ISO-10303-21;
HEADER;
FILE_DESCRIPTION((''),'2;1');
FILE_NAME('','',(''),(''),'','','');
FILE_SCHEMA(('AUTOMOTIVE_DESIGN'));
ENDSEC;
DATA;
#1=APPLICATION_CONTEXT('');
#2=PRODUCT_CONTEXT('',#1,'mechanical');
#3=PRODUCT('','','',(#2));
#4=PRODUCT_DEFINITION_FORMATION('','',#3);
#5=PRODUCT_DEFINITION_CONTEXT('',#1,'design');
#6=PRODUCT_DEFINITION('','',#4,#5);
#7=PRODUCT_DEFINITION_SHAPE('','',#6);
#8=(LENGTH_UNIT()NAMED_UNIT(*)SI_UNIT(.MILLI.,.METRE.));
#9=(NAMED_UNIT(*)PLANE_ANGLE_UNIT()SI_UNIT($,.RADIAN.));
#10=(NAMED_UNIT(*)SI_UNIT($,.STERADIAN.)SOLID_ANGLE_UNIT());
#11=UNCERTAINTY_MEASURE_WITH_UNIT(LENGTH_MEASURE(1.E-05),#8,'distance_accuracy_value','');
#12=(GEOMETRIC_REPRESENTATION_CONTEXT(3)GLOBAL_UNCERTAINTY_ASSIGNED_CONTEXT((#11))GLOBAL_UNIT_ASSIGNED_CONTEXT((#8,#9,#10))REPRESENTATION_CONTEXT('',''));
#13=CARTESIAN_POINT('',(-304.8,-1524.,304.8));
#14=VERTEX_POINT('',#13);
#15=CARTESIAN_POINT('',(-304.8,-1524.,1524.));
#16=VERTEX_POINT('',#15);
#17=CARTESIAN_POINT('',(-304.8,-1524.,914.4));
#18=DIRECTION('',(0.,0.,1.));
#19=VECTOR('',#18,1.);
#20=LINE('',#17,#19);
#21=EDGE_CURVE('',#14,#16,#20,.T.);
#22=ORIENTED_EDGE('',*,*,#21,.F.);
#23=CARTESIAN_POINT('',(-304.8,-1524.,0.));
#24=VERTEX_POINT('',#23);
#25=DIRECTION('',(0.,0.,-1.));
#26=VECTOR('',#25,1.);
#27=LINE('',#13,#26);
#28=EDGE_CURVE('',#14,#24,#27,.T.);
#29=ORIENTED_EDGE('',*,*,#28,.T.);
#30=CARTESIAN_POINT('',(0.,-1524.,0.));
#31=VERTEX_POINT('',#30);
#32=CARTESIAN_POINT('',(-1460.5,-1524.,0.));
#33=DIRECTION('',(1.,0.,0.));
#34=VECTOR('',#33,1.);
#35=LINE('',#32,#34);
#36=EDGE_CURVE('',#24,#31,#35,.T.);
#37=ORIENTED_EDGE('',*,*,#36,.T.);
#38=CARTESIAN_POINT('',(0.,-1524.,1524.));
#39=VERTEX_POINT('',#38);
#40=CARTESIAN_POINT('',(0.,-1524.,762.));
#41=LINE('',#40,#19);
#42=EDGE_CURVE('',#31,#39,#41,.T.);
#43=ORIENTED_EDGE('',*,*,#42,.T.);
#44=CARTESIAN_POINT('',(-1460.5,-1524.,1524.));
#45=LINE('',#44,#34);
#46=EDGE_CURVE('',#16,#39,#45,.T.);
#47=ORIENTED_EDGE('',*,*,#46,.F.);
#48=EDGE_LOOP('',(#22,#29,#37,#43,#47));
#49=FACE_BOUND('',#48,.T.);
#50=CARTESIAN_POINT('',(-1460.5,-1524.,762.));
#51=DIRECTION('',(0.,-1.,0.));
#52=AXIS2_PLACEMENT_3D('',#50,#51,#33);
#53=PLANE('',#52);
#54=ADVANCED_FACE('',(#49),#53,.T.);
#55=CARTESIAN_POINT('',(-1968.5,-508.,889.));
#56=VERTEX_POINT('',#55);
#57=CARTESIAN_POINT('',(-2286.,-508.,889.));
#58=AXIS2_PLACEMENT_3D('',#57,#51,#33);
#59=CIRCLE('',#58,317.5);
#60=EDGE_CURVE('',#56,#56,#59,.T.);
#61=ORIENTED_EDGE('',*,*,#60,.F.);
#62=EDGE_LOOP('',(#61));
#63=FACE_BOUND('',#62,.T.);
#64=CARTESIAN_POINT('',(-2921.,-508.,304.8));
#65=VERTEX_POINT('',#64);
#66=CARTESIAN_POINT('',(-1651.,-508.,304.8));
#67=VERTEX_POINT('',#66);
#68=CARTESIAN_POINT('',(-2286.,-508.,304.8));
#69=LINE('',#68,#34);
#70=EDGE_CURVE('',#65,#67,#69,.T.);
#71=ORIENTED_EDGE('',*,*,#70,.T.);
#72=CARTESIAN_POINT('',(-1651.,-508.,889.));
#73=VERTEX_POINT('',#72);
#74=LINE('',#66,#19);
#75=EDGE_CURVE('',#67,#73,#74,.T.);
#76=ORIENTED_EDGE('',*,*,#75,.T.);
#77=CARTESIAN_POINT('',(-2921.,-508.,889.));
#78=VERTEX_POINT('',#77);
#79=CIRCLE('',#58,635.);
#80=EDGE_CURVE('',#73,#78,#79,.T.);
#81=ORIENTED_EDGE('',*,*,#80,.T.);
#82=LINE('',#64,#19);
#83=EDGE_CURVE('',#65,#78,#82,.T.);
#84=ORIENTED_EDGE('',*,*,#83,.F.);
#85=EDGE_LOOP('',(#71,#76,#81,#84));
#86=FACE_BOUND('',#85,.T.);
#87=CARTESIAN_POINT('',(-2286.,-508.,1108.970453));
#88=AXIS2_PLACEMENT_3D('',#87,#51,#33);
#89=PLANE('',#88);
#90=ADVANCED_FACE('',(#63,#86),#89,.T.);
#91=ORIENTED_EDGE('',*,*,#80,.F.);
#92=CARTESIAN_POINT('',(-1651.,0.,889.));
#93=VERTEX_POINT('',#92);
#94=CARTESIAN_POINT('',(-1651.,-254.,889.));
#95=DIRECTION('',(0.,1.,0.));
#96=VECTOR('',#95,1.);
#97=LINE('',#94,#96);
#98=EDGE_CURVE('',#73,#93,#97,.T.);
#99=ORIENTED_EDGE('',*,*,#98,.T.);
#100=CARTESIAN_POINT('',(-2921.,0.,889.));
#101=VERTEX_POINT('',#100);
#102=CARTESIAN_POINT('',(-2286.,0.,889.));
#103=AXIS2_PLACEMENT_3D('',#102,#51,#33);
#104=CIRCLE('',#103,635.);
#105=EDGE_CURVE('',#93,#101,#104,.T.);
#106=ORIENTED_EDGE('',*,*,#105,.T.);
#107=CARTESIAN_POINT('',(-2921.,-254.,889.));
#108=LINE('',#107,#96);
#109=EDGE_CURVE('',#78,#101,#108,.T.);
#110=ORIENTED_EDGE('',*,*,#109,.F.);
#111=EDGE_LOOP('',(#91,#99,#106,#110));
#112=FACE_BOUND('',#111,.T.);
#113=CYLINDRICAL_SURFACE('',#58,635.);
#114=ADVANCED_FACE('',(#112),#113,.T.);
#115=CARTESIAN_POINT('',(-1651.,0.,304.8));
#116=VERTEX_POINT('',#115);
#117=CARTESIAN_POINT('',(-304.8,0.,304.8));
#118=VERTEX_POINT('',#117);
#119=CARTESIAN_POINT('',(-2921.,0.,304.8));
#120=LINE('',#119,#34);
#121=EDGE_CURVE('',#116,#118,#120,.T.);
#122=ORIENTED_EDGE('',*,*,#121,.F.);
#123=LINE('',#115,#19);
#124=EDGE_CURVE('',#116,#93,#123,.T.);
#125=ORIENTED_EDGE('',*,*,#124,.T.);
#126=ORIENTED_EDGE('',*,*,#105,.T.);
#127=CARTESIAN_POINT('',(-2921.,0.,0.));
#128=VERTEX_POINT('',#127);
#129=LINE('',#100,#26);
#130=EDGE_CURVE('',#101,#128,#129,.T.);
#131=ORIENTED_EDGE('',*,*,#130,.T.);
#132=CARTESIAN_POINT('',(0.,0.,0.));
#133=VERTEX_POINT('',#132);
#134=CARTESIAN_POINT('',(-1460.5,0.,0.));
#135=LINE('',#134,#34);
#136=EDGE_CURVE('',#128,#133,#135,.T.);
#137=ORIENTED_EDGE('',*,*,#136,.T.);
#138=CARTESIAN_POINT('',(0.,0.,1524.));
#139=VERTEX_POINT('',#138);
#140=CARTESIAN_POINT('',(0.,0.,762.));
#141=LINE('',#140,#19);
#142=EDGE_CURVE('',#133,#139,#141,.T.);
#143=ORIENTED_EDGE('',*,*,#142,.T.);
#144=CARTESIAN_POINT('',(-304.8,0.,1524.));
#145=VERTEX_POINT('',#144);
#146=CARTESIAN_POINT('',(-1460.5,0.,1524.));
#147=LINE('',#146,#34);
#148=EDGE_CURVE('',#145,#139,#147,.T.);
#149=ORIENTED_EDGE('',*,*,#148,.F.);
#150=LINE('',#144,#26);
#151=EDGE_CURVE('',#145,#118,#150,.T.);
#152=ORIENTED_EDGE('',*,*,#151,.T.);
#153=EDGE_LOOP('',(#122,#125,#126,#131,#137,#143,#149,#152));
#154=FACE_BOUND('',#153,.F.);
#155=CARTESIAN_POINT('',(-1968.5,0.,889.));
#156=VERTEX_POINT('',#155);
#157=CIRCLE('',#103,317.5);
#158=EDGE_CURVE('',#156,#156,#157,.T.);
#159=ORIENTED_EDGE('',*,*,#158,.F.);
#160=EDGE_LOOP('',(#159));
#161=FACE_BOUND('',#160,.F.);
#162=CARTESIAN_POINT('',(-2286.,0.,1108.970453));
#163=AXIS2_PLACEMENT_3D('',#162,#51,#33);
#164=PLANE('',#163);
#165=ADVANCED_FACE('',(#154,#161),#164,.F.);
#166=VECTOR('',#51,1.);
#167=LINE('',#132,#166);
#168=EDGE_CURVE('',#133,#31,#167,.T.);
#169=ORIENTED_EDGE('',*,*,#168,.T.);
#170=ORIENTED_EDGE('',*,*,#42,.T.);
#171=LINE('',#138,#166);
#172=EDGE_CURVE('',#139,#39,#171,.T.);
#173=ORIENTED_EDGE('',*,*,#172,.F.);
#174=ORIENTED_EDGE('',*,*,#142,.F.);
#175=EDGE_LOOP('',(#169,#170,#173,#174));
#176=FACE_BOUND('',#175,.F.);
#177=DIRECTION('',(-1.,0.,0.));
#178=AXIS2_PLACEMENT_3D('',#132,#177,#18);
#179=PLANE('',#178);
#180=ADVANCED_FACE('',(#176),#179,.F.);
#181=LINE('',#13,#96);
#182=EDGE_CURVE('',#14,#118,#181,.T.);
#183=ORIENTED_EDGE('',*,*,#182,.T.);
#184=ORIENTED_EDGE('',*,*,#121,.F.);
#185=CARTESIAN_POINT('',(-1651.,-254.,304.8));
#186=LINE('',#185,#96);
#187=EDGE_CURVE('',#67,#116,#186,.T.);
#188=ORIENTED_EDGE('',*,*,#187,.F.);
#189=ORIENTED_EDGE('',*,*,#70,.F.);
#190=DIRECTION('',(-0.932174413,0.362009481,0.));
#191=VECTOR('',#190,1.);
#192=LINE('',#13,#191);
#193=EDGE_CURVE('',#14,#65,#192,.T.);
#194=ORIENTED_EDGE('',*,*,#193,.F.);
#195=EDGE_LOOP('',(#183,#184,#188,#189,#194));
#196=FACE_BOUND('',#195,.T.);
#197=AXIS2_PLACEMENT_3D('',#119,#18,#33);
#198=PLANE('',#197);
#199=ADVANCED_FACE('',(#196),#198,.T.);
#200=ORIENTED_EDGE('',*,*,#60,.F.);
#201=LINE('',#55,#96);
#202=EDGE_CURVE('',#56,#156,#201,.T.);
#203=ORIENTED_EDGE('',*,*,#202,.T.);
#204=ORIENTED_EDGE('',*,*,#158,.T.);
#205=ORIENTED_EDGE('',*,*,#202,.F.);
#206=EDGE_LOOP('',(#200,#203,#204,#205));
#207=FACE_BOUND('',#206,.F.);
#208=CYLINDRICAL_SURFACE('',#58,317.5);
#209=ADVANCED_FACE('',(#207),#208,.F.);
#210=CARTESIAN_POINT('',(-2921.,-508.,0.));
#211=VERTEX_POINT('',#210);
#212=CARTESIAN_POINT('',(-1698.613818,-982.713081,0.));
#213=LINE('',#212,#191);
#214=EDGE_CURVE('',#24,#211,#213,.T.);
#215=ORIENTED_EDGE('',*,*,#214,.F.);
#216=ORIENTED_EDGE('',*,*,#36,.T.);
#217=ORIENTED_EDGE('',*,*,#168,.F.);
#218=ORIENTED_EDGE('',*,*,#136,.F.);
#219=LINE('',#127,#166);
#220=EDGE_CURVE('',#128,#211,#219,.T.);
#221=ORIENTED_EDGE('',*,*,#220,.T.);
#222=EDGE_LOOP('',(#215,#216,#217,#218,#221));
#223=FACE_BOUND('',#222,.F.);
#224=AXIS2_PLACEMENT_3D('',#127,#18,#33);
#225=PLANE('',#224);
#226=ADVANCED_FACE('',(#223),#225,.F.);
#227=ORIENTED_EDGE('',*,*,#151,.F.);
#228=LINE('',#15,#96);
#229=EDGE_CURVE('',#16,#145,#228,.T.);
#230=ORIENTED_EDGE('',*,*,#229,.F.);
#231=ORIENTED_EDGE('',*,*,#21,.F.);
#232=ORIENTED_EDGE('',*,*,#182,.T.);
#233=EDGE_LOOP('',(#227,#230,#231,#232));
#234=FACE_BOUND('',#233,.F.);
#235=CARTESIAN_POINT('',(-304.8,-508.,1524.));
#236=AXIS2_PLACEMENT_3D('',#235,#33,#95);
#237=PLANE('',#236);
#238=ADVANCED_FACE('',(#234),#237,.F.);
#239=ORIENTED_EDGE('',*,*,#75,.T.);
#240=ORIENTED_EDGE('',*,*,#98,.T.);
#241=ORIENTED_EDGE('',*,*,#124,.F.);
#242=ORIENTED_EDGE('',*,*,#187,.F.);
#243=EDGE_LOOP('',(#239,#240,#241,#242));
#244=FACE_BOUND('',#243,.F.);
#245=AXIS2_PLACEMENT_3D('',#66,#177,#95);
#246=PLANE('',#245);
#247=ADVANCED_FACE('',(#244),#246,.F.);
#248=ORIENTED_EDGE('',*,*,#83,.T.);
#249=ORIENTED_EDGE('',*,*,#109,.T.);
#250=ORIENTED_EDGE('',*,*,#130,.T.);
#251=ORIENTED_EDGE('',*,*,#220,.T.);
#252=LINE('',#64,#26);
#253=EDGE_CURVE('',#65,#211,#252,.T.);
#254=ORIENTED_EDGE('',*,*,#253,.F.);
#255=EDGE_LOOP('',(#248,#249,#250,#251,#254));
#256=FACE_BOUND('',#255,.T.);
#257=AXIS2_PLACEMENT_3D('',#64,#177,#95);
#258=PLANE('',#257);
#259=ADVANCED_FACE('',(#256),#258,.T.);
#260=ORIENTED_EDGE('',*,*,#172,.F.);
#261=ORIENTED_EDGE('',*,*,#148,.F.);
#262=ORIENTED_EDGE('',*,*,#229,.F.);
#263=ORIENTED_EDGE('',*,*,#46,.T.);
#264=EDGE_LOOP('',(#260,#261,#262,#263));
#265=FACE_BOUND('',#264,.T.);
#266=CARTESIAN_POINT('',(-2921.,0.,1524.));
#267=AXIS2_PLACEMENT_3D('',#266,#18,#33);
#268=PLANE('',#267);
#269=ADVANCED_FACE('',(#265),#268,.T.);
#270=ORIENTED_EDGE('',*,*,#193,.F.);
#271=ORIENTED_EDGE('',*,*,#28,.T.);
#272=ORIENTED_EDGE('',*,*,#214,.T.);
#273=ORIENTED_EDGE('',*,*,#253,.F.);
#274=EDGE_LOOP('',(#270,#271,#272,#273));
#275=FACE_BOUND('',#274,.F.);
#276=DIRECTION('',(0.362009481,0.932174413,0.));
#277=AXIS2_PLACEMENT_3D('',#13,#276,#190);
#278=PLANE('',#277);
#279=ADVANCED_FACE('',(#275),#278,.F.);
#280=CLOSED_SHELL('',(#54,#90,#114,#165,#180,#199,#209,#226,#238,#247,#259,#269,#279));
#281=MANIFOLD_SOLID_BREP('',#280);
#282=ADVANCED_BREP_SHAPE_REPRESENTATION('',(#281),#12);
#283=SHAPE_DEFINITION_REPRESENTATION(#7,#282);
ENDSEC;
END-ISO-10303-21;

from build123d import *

# Parameters (mm, degrees)
F0_W      = 2921
F0_H      = 1524
F1_DEPTH  = 1524
F2_W      = 2616.2
F2_H      = 1219.2
F3_DEPTH  = 1016
F4_W      = 1346.2
F4_H      = 508
F5_DEPTH  = 1219.2
F7_DEPTH  = 1270
F8_DEPTH  = 1219.2
F9_W      = 1270
F9_H      = 508
F10_DEPTH = 584.2
F12_DEPTH = 508
F13_R     = 317.5
F14_DEPTH = 1270


with BuildPart() as f1:
    # F0 (on Front) → F1 (new body)
    with BuildSketch(Plane.XZ):
        with Locations((-1460.5, 762)):
            Rectangle(F0_W, F0_H)
    extrude(amount=F1_DEPTH)

    # F2 (on face) → F3 (cut)
    with BuildSketch(Plane.XZ.offset(1524)):
        with Locations((-1612.9, 914.4)):
            Rectangle(F2_W, F2_H)
    extrude(amount=-F3_DEPTH, mode=Mode.SUBTRACT)

    # F4 (on face) → F5 (cut)
    with BuildSketch(Plane.XY.offset(1524)):
        with Locations((-977.9, -254)):
            Rectangle(F4_W, F4_H)
    extrude(amount=-F5_DEPTH, mode=Mode.SUBTRACT)

    # F6 (on face) → F7 (cut)
    with BuildSketch(Plane.XY.offset(304.8)):
        Polygon((-304.8, -1524), (-2921, -508), (-2921, -1524), align=None)
    extrude(amount=-F7_DEPTH, mode=Mode.SUBTRACT)

    # F8 (cut): a face of the model
    f8_faces = [f1.faces().sort_by_distance(p)[0] for p in [
        (-2286, -254, 1524),
    ]]
    extrude(f8_faces, amount=-F8_DEPTH, mode=Mode.SUBTRACT)

    # F9 (on face) → F10 (join)
    with BuildSketch(Plane.XY.offset(304.8)):
        with Locations((-2286, -254)):
            Rectangle(F9_W, F9_H)
    extrude(amount=F10_DEPTH)

    # F11 (on face) → F12 (join)
    with BuildSketch(Plane.XZ.offset(508)):
        with BuildLine():
            Line((-2921, 889), (-1651, 889))
            ThreePointArc((-1651, 889), (-2286, 1524), (-2921, 889))
        make_face()
    extrude(amount=-F12_DEPTH)

    # F13 (on face) → F14 (cut)
    with BuildSketch(Plane.XZ.offset(508)):
        with Locations((-2286, 889)):
            Circle(F13_R)
    extrude(amount=-F14_DEPTH, mode=Mode.SUBTRACT)


solid = f1.part
